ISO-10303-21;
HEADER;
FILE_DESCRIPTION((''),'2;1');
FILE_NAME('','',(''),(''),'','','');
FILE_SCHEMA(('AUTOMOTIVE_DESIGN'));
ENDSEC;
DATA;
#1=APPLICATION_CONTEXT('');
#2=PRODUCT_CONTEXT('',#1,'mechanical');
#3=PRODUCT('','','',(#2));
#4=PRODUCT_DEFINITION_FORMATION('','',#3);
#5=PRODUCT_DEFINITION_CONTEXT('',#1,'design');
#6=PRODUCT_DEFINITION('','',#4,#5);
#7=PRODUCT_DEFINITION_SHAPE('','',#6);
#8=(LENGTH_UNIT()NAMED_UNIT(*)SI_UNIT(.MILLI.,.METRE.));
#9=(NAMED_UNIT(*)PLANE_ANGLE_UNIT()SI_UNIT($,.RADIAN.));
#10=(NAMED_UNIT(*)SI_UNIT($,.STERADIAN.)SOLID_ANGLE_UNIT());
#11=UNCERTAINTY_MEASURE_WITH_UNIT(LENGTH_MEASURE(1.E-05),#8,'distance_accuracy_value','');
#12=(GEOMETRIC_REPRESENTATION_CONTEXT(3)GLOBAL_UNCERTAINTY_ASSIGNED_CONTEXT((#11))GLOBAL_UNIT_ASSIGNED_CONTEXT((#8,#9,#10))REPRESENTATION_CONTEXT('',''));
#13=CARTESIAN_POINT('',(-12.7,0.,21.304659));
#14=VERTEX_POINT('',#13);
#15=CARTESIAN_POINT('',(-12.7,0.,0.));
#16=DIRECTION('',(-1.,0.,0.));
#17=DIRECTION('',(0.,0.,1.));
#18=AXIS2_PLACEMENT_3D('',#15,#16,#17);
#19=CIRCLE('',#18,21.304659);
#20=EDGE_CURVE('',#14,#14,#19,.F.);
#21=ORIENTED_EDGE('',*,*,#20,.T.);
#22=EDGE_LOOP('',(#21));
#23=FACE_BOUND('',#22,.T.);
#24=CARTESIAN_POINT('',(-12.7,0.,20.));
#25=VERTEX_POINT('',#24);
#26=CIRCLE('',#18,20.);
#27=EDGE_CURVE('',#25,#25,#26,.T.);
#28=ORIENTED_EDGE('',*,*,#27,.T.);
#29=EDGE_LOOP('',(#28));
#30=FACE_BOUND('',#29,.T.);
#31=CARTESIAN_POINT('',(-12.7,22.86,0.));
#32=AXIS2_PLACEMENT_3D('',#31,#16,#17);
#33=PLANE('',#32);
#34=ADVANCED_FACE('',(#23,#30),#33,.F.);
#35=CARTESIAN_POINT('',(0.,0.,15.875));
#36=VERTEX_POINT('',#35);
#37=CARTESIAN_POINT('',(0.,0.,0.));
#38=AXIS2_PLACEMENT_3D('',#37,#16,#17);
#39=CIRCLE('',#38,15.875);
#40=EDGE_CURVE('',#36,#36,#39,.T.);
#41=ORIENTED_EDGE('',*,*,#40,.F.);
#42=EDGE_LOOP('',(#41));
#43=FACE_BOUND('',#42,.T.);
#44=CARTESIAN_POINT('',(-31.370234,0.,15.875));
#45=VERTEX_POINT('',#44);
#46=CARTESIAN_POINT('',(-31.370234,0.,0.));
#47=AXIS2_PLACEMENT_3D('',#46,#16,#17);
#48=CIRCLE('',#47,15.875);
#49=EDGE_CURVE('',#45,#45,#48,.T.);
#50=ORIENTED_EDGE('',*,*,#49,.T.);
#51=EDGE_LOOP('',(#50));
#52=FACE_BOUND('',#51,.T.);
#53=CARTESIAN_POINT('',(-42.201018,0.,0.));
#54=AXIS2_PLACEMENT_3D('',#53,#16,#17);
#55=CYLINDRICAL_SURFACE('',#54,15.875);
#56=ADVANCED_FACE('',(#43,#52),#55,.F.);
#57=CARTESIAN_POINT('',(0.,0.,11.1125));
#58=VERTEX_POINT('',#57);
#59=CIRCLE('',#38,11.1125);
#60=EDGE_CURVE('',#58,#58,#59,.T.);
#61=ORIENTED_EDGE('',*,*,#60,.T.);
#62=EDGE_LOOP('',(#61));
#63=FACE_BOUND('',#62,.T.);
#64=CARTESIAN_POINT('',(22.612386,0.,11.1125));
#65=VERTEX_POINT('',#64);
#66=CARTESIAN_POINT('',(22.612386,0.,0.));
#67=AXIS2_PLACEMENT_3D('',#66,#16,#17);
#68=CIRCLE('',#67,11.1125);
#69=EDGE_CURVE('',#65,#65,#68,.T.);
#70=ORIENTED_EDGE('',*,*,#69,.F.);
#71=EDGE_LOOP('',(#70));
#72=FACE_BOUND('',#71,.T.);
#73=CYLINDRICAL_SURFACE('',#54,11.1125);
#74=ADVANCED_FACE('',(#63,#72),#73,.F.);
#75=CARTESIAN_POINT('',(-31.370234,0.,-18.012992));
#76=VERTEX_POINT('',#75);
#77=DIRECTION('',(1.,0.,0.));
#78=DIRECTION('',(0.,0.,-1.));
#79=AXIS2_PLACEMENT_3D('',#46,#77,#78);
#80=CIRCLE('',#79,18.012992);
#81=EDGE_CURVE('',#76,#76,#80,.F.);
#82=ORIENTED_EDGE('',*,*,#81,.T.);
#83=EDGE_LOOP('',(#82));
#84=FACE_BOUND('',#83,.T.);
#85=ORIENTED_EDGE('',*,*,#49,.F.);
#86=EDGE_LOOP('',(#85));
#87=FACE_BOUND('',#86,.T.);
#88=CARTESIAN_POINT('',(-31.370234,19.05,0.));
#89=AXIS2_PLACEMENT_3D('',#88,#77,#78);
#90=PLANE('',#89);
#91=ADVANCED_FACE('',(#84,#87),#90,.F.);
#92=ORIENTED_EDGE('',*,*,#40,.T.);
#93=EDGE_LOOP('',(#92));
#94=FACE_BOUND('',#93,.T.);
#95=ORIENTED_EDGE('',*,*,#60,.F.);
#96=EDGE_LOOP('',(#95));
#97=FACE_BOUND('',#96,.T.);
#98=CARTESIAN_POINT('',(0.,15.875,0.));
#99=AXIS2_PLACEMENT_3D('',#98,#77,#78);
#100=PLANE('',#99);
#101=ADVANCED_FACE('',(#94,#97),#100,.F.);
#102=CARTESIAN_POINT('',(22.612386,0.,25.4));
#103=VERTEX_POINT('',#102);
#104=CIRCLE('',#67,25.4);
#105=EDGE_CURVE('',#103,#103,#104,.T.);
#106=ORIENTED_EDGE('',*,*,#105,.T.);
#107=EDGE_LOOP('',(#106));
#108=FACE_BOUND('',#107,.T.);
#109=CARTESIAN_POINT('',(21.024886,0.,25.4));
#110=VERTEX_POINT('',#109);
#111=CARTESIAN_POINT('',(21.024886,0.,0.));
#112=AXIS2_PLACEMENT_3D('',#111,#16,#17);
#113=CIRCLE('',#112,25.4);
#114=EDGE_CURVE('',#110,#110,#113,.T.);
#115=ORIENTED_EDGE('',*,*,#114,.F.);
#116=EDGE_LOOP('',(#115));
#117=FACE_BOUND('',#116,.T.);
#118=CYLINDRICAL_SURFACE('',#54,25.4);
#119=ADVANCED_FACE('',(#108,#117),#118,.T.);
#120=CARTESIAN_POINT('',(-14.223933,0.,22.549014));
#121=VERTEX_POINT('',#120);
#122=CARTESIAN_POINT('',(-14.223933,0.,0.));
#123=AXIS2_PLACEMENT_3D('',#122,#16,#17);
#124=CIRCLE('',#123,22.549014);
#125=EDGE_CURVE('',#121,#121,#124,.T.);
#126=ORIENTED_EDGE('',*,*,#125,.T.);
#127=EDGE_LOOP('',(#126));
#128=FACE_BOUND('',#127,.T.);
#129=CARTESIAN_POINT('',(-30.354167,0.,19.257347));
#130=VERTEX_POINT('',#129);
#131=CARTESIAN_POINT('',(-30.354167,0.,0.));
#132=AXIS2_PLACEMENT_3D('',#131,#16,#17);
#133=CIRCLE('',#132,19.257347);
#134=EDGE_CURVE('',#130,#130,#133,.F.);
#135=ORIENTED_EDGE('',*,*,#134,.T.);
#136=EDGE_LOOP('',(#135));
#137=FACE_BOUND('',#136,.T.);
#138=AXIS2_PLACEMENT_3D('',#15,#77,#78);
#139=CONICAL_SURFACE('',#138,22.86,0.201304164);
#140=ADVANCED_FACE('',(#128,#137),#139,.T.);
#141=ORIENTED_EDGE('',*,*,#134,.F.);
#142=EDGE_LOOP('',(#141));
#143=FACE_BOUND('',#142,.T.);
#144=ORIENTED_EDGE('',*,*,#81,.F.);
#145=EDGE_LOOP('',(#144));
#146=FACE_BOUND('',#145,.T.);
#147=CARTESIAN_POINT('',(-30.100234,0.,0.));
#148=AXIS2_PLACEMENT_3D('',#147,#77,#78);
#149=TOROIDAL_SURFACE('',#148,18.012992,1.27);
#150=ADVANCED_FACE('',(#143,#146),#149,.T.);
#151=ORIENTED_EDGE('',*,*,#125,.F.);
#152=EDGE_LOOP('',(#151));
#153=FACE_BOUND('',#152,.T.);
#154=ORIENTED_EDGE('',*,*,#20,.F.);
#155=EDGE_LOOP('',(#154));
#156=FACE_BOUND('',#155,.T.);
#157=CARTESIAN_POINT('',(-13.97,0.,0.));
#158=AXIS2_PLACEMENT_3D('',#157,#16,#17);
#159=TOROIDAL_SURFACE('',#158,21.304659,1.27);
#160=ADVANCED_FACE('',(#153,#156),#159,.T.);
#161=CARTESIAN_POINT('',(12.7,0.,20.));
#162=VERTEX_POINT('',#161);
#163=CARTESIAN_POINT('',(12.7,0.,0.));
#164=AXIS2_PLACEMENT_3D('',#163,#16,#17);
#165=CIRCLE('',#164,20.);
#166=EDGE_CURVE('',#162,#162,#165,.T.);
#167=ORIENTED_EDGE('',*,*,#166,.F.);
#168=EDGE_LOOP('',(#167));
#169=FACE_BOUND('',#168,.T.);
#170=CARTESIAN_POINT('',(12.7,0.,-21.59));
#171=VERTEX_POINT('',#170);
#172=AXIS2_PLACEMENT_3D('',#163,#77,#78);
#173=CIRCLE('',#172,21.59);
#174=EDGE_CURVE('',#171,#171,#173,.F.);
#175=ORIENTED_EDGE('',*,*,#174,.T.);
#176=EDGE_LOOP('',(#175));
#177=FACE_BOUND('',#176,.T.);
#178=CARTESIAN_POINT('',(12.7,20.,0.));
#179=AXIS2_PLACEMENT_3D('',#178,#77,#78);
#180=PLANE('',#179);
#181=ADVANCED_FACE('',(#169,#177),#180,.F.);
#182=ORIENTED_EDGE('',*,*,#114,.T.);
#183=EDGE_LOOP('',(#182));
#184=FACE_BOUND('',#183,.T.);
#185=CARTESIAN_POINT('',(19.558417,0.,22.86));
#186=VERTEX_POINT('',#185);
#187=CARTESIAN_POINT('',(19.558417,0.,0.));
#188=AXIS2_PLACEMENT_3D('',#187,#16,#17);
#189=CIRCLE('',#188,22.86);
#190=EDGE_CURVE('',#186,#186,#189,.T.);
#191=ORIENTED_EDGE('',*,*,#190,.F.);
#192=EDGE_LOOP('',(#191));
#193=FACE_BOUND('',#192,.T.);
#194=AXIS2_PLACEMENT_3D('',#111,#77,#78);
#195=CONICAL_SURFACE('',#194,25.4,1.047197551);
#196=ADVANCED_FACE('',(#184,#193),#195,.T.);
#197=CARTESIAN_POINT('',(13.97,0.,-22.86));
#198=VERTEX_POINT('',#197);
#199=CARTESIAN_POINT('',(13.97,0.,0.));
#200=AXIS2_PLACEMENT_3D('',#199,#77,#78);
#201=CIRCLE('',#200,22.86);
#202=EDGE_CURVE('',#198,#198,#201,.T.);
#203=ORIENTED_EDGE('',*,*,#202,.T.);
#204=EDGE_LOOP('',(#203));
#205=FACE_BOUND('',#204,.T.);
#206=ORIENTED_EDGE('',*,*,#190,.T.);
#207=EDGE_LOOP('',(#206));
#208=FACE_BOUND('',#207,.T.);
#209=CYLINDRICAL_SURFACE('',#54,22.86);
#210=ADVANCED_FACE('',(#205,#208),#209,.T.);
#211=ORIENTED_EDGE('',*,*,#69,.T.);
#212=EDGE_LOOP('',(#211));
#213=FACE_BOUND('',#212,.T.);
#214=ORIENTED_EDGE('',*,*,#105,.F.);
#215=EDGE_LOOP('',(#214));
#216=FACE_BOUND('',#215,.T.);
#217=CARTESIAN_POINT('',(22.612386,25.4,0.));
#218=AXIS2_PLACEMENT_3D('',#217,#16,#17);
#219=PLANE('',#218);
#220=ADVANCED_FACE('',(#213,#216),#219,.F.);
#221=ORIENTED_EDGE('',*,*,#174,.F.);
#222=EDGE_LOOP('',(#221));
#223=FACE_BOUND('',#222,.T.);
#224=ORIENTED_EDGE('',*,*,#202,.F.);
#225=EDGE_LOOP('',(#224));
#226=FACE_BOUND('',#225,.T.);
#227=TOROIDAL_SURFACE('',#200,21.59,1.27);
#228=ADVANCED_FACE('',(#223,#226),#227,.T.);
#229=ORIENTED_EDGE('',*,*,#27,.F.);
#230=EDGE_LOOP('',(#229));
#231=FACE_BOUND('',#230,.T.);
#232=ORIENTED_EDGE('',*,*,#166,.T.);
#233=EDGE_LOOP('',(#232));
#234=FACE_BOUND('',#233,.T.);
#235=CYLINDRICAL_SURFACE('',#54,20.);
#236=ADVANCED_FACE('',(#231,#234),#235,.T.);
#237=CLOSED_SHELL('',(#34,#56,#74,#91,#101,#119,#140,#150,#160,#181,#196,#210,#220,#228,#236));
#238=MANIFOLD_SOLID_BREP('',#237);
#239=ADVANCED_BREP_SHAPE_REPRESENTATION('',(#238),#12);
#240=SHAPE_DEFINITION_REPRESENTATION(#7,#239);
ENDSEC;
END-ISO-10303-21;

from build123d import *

# Parameters (mm, degrees)
FILLET1_R = 1.27


with BuildPart() as part:
    # Sketch1 → Revolve1 (revolve)
    with BuildSketch(Plane.XY):
        Polygon((0, 11.1125), (22.612386478, 11.1125), (22.612386478, 25.4), (21.024886478, 25.4), (19.558416794, 22.86), (12.7, 22.86), (12.7, 20), (-12.7, 20), (-12.7, 22.86), (-31.370233522, 19.05), (-31.370233522, 15.875), (0, 15.875), align=None)
    revolve(axis=Axis((-42.201018363, 0, 0), (1, 0, 0)))

    # Fillet1
    fillet1_edges = [part.edges().sort_by_distance(p)[0] for p in [
        (12.7, -22.86, 0),
        (-31.370233522, -19.05, 0),
        (-12.7, -22.86, 0),
    ]]
    fillet(fillet1_edges, radius=FILLET1_R)


solid = part.part
